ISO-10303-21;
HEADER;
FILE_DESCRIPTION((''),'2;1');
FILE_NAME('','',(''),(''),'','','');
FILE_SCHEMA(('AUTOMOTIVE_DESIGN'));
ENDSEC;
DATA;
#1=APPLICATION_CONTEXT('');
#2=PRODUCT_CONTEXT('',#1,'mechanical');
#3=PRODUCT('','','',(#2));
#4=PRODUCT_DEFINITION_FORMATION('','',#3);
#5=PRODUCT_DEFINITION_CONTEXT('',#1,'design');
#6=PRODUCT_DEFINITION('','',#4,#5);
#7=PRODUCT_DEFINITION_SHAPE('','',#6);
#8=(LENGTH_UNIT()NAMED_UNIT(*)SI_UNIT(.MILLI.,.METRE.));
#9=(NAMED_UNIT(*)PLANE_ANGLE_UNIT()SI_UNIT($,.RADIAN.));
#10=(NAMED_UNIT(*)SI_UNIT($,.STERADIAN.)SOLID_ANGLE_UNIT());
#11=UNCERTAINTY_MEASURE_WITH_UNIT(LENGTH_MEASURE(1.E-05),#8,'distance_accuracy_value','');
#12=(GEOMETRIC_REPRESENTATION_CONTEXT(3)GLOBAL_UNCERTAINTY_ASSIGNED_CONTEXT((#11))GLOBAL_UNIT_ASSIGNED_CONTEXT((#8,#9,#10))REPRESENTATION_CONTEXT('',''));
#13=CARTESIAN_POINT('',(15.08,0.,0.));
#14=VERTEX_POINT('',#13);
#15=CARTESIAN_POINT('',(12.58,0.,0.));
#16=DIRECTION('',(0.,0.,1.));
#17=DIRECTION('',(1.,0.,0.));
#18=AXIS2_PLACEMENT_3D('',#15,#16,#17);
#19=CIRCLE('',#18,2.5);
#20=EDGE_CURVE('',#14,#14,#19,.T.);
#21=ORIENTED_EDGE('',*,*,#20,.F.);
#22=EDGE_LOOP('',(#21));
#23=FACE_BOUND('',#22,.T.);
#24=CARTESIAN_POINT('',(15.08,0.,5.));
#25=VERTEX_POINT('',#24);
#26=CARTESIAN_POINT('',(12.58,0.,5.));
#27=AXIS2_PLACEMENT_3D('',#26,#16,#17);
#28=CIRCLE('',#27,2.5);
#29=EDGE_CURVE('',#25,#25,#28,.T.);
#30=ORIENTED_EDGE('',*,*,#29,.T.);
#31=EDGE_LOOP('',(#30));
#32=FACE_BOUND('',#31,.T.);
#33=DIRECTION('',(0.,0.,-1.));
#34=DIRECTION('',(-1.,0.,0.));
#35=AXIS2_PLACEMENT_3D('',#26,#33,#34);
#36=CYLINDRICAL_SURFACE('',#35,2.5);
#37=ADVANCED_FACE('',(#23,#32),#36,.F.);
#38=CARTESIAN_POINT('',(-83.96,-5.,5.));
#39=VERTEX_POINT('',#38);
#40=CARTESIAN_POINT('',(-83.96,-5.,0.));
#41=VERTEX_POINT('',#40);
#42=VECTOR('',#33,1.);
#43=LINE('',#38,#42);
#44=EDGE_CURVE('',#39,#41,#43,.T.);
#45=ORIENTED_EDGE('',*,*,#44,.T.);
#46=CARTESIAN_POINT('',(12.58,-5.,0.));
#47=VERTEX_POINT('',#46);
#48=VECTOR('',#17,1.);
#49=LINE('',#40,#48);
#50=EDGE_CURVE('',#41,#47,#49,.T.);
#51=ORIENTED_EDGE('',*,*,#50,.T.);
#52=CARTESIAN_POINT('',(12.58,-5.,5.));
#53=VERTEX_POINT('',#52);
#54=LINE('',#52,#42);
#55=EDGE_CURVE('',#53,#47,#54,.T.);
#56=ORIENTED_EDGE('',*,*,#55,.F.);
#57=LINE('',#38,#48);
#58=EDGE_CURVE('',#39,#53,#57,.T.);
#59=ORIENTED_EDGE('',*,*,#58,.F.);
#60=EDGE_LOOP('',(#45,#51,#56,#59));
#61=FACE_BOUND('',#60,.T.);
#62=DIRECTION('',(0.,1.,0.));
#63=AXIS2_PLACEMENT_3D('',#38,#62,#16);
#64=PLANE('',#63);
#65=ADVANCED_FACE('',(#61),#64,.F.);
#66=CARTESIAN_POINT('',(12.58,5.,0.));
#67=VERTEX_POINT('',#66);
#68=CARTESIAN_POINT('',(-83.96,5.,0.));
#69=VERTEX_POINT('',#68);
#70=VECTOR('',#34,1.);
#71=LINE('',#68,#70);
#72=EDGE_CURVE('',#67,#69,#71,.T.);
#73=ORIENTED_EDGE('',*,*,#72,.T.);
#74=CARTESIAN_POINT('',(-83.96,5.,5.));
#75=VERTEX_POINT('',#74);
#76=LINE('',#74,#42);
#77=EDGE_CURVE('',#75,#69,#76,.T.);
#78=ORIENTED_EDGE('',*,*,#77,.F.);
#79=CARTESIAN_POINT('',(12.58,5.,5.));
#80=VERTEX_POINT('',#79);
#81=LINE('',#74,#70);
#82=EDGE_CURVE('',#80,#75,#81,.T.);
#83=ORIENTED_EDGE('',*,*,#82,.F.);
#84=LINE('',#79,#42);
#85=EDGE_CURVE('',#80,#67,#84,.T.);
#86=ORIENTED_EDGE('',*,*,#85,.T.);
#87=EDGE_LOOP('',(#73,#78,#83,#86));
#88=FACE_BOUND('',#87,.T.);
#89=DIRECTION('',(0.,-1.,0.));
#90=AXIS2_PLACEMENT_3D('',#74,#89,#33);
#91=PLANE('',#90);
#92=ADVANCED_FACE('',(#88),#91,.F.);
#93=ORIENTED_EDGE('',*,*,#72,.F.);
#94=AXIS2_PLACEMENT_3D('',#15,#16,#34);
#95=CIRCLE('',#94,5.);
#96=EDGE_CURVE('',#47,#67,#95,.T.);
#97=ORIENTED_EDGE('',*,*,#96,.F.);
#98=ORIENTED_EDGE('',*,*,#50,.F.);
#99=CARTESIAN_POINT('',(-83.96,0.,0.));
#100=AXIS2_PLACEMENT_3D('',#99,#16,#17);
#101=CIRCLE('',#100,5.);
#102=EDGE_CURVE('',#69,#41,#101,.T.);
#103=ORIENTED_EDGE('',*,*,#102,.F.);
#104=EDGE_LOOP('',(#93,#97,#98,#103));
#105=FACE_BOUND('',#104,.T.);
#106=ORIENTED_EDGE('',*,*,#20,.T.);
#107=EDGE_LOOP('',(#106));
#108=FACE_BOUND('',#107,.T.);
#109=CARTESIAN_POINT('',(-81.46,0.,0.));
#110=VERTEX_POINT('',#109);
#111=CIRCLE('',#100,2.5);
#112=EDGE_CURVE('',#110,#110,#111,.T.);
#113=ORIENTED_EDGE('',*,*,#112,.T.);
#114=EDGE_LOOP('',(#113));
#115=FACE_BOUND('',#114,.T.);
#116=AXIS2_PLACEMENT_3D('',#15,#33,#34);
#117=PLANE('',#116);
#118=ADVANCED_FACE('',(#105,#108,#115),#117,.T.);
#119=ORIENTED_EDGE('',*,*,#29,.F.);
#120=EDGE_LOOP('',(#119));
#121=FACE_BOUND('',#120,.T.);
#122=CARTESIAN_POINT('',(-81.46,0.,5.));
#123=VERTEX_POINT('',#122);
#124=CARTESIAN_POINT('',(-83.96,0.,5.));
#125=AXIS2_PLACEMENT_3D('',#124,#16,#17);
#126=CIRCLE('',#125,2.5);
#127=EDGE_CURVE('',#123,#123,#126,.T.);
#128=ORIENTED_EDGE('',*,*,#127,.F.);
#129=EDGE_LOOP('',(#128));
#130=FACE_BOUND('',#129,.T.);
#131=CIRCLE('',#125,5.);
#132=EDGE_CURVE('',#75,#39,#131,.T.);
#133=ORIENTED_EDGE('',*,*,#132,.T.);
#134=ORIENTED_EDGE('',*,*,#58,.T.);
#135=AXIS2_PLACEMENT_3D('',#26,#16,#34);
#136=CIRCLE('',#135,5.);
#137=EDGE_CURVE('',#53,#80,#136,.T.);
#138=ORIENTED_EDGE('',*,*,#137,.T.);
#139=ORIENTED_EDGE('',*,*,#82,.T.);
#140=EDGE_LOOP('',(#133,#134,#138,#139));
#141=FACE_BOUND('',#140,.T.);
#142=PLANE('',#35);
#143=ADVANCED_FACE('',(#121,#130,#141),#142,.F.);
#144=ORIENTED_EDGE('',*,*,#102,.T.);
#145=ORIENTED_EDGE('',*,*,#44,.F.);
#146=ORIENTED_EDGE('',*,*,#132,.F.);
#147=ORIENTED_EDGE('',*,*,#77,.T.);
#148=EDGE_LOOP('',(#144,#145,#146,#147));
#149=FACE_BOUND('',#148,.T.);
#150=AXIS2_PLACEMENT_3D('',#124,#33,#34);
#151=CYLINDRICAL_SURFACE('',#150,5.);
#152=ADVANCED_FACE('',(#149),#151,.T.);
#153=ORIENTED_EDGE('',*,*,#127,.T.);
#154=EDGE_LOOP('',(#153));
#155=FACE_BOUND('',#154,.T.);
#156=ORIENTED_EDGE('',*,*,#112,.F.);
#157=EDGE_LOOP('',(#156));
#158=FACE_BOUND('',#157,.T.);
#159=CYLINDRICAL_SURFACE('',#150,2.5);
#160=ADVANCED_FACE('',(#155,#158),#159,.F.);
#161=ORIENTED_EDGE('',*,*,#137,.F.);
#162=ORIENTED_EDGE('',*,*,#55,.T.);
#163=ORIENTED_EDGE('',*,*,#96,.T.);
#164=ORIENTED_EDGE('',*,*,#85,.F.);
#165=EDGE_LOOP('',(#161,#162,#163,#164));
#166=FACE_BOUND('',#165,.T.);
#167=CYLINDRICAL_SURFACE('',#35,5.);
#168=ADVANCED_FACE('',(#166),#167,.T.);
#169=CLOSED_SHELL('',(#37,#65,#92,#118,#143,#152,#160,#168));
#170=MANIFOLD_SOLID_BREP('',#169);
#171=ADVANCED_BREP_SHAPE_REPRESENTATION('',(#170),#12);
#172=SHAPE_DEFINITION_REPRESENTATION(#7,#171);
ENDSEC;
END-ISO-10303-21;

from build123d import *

# Parameters (mm, degrees)
ESBO_O1_R                = 2.5
RESSALTO_EXTRUS_O1_DEPTH = 5


with BuildPart() as part:
    # Esboço1 → Ressalto-extrusão1 (new body)
    with BuildSketch(Plane.XY):
        with BuildLine():
            Line((-83.96, 5), (12.58, 5))
            ThreePointArc((12.58, 5), (17.58, 0), (12.58, -5))
            Line((12.58, -5), (-83.96, -5))
            ThreePointArc((-83.96, -5), (-88.96, 0), (-83.96, 5))
        make_face()
        with Locations((-83.96, 0)):
            Circle(ESBO_O1_R, mode=Mode.SUBTRACT)
        with Locations((12.58, 0)):
            Circle(ESBO_O1_R, mode=Mode.SUBTRACT)
    extrude(amount=RESSALTO_EXTRUS_O1_DEPTH)


solid = part.part
